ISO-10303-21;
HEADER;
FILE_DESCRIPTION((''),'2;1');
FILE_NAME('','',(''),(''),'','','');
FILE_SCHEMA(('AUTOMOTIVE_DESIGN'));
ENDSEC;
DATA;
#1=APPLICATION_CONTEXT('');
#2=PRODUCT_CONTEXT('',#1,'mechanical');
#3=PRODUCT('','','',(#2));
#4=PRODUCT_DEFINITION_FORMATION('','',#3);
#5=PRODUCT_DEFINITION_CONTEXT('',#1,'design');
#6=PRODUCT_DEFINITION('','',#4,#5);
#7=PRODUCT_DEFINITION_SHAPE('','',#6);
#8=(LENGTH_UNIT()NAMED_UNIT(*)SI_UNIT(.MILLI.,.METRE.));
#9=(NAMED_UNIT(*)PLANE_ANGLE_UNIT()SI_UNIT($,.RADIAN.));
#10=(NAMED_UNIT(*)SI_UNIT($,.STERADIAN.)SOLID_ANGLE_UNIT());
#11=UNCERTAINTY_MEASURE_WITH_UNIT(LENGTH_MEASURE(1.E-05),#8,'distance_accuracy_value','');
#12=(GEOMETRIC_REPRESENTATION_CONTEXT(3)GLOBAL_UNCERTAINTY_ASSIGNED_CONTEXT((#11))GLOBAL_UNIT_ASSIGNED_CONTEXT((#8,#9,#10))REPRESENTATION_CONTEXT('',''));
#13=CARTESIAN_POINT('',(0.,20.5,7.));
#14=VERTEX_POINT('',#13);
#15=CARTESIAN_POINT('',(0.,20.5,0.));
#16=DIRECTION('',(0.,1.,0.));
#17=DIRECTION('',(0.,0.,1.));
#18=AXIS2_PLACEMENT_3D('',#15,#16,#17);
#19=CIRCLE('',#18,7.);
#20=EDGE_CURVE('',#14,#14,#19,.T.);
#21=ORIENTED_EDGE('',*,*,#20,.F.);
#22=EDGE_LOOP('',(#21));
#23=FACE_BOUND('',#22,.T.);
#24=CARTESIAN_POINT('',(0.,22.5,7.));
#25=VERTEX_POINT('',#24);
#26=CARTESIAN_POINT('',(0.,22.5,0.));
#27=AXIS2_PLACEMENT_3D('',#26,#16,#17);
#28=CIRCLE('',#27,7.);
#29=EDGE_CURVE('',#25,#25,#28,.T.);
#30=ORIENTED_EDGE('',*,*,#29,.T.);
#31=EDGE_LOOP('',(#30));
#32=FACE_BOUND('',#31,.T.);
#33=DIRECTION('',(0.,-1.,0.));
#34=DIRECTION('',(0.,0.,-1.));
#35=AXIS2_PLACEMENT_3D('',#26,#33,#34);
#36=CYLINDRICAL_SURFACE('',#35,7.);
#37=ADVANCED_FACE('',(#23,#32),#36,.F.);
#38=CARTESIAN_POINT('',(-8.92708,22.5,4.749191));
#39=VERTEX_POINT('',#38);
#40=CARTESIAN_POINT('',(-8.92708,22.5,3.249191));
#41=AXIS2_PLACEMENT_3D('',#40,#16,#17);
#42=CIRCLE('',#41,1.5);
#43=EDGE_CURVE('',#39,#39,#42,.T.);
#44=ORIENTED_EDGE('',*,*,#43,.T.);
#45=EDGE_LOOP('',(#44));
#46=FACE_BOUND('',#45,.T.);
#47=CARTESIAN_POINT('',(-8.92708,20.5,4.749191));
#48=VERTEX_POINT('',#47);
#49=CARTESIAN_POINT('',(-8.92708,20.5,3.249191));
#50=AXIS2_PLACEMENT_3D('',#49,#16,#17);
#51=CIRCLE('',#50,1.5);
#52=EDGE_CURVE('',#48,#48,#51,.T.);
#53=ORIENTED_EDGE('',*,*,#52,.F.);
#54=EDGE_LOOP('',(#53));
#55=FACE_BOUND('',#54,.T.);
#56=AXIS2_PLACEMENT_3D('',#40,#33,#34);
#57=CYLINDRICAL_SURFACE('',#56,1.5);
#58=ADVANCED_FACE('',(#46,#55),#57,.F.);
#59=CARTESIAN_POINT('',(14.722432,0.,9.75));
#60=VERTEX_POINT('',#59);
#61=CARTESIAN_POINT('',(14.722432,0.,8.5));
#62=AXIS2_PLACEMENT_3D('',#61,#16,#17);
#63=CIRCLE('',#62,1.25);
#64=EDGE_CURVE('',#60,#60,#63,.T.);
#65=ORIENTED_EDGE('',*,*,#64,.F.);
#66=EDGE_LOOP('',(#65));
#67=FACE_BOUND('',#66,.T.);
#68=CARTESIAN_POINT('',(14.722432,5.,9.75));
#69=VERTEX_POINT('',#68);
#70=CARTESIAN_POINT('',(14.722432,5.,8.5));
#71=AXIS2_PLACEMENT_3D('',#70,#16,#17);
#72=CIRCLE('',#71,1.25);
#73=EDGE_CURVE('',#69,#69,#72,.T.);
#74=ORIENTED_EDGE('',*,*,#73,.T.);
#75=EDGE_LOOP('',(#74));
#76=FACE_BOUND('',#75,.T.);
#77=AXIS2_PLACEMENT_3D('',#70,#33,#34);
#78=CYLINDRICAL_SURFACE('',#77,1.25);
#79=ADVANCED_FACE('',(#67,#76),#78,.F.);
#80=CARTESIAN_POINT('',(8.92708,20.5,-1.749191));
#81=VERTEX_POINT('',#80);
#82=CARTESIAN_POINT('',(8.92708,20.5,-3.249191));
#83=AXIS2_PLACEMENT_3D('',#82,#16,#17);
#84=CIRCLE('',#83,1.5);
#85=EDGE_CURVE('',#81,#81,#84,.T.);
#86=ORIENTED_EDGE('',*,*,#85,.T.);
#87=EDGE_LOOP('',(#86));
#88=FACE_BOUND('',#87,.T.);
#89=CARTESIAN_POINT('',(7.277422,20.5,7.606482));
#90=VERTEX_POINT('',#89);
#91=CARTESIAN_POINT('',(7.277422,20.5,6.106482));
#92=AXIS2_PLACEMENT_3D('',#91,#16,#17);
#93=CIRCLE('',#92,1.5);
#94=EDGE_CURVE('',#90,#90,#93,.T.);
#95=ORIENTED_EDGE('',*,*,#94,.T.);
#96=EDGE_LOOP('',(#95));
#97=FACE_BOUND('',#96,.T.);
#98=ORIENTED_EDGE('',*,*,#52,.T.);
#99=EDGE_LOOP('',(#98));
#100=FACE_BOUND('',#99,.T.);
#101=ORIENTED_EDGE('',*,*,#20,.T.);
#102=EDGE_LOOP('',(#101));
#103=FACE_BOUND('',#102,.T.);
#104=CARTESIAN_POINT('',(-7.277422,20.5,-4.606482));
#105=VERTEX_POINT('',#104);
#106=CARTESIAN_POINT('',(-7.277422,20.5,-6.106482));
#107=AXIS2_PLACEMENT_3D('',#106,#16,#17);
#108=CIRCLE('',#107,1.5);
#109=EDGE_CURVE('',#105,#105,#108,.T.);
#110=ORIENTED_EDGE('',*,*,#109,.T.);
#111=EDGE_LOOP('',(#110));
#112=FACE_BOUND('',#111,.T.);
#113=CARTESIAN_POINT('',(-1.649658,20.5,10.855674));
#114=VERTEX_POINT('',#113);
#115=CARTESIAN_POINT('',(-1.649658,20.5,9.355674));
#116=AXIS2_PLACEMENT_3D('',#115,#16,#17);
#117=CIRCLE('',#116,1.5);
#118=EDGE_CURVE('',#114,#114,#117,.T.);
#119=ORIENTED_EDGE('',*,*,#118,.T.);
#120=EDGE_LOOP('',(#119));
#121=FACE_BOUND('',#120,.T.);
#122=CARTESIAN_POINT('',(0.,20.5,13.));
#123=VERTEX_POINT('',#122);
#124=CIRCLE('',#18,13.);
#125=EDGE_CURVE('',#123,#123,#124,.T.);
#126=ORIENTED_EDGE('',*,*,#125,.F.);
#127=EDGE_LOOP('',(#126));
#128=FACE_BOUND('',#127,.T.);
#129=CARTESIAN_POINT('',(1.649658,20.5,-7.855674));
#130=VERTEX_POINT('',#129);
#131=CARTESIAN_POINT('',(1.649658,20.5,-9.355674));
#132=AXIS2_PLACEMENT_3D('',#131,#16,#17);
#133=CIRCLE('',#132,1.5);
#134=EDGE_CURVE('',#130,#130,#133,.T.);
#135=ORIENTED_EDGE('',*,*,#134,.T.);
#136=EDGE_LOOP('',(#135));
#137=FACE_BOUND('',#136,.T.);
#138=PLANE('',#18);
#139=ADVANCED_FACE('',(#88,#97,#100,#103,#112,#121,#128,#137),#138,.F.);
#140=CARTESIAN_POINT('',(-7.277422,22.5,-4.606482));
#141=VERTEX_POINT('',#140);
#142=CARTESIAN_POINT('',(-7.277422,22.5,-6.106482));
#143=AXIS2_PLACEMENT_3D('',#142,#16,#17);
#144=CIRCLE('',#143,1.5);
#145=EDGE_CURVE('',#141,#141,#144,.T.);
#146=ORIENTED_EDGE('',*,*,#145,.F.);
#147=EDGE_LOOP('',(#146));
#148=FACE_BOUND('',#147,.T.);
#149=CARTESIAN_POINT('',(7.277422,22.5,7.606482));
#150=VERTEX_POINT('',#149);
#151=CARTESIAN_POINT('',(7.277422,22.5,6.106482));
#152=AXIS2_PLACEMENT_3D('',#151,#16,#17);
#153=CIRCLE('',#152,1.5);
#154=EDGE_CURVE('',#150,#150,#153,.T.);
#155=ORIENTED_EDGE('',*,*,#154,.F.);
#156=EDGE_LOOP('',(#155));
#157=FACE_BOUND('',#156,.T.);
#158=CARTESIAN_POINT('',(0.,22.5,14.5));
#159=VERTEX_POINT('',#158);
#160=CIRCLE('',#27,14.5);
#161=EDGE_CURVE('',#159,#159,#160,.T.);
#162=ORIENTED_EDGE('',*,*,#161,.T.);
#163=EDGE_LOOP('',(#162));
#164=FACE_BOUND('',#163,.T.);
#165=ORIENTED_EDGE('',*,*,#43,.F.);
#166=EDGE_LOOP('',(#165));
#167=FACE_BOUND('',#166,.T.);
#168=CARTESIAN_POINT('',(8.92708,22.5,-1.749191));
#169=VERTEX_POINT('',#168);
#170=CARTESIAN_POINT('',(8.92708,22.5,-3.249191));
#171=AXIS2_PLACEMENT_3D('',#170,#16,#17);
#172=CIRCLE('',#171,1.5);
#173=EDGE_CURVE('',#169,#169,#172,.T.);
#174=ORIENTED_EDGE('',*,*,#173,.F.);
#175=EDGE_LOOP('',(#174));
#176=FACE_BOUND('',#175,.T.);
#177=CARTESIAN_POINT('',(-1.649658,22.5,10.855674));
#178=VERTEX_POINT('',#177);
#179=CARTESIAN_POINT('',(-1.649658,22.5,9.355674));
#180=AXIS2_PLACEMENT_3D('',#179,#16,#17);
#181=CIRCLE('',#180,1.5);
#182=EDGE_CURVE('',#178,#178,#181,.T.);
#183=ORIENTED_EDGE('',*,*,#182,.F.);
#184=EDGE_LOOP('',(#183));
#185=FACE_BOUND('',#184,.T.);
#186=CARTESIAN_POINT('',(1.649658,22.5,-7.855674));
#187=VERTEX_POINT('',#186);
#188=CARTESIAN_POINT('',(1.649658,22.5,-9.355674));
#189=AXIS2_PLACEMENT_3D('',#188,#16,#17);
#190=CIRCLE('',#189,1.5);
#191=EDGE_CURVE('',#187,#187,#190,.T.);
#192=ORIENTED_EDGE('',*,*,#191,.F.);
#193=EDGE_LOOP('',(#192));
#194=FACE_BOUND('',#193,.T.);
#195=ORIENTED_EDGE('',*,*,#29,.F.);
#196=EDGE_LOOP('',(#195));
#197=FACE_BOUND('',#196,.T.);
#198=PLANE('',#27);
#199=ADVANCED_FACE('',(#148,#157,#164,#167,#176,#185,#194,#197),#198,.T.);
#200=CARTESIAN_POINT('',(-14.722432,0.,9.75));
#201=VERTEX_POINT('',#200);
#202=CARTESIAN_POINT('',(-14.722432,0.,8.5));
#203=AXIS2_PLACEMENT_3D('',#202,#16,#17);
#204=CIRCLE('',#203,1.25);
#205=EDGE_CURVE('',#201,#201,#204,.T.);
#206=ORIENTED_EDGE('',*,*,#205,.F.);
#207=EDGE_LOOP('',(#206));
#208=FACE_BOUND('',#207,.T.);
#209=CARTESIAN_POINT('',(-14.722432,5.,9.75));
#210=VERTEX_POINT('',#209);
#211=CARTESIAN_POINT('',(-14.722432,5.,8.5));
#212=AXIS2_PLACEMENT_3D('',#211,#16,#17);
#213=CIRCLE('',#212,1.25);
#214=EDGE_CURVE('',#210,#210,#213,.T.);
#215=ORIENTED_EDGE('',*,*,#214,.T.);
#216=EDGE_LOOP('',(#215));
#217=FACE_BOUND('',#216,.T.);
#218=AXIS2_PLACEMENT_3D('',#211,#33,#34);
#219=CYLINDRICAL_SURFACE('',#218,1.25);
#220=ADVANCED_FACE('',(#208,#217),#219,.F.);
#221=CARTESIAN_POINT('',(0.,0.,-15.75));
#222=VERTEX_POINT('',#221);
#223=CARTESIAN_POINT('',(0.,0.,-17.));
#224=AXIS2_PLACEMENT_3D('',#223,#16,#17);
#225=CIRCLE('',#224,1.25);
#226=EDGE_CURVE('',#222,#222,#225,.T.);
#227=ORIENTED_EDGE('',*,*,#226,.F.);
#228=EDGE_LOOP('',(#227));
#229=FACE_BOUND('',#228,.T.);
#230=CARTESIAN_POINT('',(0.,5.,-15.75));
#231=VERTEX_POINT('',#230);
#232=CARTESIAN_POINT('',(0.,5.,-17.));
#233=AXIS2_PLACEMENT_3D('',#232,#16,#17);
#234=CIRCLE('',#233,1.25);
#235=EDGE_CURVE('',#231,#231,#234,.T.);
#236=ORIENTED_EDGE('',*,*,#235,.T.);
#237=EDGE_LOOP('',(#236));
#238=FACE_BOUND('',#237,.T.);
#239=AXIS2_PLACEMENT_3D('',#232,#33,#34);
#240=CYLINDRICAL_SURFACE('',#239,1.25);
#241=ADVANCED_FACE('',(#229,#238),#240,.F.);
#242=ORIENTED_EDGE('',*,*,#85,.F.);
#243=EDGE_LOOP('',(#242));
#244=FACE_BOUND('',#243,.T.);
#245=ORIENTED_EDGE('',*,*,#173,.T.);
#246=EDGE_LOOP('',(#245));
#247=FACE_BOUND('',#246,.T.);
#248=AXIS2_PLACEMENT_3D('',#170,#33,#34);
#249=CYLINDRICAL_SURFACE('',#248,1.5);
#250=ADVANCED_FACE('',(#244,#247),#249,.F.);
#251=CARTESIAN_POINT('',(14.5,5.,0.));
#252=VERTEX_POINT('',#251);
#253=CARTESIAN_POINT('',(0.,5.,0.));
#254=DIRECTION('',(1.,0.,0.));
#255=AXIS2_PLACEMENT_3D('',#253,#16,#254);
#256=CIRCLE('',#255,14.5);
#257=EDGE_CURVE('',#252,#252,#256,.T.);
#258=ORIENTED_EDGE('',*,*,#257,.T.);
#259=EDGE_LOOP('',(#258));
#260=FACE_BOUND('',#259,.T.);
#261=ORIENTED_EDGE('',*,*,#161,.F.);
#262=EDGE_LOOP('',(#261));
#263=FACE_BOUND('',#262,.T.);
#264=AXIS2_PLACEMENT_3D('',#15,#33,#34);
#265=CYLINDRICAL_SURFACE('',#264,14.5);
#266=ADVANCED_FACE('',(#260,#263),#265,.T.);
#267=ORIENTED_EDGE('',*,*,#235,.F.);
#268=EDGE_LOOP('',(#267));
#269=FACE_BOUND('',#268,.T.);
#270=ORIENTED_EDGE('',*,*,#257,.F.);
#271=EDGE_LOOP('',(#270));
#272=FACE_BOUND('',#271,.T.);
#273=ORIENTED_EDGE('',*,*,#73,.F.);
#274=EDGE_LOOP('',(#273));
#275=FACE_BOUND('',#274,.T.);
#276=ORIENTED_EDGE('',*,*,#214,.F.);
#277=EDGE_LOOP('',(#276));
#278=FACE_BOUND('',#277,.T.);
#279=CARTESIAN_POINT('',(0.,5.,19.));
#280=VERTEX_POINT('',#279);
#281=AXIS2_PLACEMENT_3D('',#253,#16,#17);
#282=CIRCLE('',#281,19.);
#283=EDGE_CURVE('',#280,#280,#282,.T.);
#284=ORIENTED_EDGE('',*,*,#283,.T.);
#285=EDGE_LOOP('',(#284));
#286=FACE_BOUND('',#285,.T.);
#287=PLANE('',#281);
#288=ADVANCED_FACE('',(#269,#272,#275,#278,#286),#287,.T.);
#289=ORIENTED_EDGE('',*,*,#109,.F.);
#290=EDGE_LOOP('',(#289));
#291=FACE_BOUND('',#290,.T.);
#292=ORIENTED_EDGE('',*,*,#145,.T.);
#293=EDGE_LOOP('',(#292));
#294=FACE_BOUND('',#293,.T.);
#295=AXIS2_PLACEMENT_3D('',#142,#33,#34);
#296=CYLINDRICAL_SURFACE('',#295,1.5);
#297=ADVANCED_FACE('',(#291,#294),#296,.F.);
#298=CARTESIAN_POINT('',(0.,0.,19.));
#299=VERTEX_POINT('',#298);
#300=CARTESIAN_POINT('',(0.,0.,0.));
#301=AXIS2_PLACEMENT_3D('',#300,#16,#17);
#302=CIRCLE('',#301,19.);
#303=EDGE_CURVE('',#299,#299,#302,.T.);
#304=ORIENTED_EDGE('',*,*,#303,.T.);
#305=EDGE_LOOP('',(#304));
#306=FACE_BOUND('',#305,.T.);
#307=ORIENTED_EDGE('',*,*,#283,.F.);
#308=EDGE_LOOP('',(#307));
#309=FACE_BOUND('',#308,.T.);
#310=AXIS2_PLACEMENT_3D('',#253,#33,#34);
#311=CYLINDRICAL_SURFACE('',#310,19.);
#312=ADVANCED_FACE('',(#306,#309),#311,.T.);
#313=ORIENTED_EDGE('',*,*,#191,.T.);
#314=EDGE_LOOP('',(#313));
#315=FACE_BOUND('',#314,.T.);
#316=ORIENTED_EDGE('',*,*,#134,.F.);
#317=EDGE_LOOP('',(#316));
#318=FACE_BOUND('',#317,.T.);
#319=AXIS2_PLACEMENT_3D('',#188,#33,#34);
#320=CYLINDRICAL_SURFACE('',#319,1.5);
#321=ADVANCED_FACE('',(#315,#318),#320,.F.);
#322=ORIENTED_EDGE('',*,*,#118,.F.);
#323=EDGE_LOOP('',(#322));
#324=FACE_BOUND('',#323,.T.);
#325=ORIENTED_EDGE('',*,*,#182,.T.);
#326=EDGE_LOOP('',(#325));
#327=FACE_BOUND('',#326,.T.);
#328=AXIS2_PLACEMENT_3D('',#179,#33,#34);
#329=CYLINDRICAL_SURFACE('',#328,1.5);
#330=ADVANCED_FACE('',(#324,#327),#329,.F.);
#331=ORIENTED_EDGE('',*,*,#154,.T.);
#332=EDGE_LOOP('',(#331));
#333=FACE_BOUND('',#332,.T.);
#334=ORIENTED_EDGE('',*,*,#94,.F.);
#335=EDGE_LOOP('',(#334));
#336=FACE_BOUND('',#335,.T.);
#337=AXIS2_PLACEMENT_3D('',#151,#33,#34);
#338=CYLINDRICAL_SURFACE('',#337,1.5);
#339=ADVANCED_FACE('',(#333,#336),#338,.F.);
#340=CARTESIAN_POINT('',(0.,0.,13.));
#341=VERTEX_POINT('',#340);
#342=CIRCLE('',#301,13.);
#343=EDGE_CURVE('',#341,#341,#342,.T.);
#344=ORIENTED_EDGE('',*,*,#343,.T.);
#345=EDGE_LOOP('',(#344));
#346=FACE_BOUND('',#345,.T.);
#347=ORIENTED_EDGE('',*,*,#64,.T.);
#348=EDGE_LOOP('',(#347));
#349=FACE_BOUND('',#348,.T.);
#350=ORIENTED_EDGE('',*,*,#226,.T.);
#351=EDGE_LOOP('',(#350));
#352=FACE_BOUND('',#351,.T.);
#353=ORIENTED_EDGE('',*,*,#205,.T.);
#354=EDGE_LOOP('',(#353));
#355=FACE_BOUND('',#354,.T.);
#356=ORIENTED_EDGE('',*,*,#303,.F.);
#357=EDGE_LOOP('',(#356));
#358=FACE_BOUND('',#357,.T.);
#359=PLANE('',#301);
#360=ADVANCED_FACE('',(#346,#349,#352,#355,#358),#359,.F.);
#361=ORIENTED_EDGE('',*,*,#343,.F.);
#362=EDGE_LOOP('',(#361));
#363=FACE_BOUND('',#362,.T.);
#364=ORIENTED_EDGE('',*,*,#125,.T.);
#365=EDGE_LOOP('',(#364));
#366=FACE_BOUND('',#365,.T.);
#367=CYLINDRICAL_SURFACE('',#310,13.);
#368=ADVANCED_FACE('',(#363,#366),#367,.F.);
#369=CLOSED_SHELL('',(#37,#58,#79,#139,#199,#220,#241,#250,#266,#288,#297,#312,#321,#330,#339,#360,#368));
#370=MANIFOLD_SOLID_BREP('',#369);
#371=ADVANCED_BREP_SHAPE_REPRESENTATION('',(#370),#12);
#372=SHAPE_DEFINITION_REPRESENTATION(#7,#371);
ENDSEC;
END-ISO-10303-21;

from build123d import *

# Parameters (mm, degrees)
SKETCH_1_R        = 19
SKETCH_1_R_2      = 13
SKETCH_1_R_3      = 1.25
EXTRUDE_1_DEPTH   = 5
SKETCH_2_R        = 14.5
SKETCH_2_R_2      = 13
EXTRUDE_1_2_DEPTH = 15.5
SKETCH_3_R        = 14.5
SKETCH_3_R_2      = 13
SKETCH_3_R_3      = 7
SKETCH_3_R_4      = 1.5
EXTRUDE_2_DEPTH   = 2


with BuildPart() as part:
    # 草图1 → Extrude 1 (new body)
    with BuildSketch(Plane(origin=(0, 0, 0), x_dir=(1, 0, 0), z_dir=(0, 1, 0))):
        with Locations(Location((0, 0, 0), (0, 0, 270))):
            Circle(SKETCH_1_R)
        with Locations(Location((0, 0, 0), (0, 0, 270))):
            Circle(SKETCH_1_R_2, mode=Mode.SUBTRACT)
        with Locations(Location((0, 17, 0), (0, 0, 270))):
            Circle(SKETCH_1_R_3, mode=Mode.SUBTRACT)
        with Locations(Location((14.722431864, -8.5, 0), (0, 0, 270))):
            Circle(SKETCH_1_R_3, mode=Mode.SUBTRACT)
        with Locations(Location((-14.722431864, -8.5, 0), (0, 0, 270))):
            Circle(SKETCH_1_R_3, mode=Mode.SUBTRACT)
    extrude(amount=EXTRUDE_1_DEPTH)

    # 草图2 → Extrude 1 2 (add)
    with BuildSketch(Plane(origin=(0, 5, 0), x_dir=(1, 0, 0), z_dir=(0, 1, 0))):
        Circle(SKETCH_2_R)
        Circle(SKETCH_2_R_2, mode=Mode.SUBTRACT)
    extrude(amount=EXTRUDE_1_2_DEPTH)

    # 草图3 → 凸台-拉伸2 (add)
    # profile 1 of 2: a face of its own
    with BuildSketch(Plane(origin=(0, 20.5, 0), x_dir=(1, 0, 0), z_dir=(0, 1, 0))):
        Circle(SKETCH_3_R)
        with Locations(Location((0, 0, 0), (0, 0, 270))):
            Circle(SKETCH_3_R_2, mode=Mode.SUBTRACT)
    # profile 2 of 2: a face of its own
    with BuildSketch(Plane(origin=(0, 20.5, 0), x_dir=(1, 0, 0), z_dir=(0, 1, 0))):
        with Locations(Location((0, 0, 0), (0, 0, 270))):
            Circle(SKETCH_3_R_2)
        with Locations(Location((0, 0, 0), (0, 0, 270))):
            Circle(SKETCH_3_R_3, mode=Mode.SUBTRACT)
        with Locations(Location((-7.27742221, 6.106482292, 0), (0, 0, 270))):
            Circle(SKETCH_3_R_4, mode=Mode.SUBTRACT)
        with Locations(Location((-8.927079897, -3.249191362, 0), (0, 0, 270))):
            Circle(SKETCH_3_R_4, mode=Mode.SUBTRACT)
        with Locations(Location((-1.649657688, -9.355673654, 0), (0, 0, 270))):
            Circle(SKETCH_3_R_4, mode=Mode.SUBTRACT)
        with Locations(Location((7.27742221, -6.106482292, 0), (0, 0, 270))):
            Circle(SKETCH_3_R_4, mode=Mode.SUBTRACT)
        with Locations(Location((8.927079897, 3.249191362, 0), (0, 0, 270))):
            Circle(SKETCH_3_R_4, mode=Mode.SUBTRACT)
        with Locations(Location((1.649657688, 9.355673654, 0), (0, 0, 270))):
            Circle(SKETCH_3_R_4, mode=Mode.SUBTRACT)
    extrude(amount=EXTRUDE_2_DEPTH)


solid = part.part
